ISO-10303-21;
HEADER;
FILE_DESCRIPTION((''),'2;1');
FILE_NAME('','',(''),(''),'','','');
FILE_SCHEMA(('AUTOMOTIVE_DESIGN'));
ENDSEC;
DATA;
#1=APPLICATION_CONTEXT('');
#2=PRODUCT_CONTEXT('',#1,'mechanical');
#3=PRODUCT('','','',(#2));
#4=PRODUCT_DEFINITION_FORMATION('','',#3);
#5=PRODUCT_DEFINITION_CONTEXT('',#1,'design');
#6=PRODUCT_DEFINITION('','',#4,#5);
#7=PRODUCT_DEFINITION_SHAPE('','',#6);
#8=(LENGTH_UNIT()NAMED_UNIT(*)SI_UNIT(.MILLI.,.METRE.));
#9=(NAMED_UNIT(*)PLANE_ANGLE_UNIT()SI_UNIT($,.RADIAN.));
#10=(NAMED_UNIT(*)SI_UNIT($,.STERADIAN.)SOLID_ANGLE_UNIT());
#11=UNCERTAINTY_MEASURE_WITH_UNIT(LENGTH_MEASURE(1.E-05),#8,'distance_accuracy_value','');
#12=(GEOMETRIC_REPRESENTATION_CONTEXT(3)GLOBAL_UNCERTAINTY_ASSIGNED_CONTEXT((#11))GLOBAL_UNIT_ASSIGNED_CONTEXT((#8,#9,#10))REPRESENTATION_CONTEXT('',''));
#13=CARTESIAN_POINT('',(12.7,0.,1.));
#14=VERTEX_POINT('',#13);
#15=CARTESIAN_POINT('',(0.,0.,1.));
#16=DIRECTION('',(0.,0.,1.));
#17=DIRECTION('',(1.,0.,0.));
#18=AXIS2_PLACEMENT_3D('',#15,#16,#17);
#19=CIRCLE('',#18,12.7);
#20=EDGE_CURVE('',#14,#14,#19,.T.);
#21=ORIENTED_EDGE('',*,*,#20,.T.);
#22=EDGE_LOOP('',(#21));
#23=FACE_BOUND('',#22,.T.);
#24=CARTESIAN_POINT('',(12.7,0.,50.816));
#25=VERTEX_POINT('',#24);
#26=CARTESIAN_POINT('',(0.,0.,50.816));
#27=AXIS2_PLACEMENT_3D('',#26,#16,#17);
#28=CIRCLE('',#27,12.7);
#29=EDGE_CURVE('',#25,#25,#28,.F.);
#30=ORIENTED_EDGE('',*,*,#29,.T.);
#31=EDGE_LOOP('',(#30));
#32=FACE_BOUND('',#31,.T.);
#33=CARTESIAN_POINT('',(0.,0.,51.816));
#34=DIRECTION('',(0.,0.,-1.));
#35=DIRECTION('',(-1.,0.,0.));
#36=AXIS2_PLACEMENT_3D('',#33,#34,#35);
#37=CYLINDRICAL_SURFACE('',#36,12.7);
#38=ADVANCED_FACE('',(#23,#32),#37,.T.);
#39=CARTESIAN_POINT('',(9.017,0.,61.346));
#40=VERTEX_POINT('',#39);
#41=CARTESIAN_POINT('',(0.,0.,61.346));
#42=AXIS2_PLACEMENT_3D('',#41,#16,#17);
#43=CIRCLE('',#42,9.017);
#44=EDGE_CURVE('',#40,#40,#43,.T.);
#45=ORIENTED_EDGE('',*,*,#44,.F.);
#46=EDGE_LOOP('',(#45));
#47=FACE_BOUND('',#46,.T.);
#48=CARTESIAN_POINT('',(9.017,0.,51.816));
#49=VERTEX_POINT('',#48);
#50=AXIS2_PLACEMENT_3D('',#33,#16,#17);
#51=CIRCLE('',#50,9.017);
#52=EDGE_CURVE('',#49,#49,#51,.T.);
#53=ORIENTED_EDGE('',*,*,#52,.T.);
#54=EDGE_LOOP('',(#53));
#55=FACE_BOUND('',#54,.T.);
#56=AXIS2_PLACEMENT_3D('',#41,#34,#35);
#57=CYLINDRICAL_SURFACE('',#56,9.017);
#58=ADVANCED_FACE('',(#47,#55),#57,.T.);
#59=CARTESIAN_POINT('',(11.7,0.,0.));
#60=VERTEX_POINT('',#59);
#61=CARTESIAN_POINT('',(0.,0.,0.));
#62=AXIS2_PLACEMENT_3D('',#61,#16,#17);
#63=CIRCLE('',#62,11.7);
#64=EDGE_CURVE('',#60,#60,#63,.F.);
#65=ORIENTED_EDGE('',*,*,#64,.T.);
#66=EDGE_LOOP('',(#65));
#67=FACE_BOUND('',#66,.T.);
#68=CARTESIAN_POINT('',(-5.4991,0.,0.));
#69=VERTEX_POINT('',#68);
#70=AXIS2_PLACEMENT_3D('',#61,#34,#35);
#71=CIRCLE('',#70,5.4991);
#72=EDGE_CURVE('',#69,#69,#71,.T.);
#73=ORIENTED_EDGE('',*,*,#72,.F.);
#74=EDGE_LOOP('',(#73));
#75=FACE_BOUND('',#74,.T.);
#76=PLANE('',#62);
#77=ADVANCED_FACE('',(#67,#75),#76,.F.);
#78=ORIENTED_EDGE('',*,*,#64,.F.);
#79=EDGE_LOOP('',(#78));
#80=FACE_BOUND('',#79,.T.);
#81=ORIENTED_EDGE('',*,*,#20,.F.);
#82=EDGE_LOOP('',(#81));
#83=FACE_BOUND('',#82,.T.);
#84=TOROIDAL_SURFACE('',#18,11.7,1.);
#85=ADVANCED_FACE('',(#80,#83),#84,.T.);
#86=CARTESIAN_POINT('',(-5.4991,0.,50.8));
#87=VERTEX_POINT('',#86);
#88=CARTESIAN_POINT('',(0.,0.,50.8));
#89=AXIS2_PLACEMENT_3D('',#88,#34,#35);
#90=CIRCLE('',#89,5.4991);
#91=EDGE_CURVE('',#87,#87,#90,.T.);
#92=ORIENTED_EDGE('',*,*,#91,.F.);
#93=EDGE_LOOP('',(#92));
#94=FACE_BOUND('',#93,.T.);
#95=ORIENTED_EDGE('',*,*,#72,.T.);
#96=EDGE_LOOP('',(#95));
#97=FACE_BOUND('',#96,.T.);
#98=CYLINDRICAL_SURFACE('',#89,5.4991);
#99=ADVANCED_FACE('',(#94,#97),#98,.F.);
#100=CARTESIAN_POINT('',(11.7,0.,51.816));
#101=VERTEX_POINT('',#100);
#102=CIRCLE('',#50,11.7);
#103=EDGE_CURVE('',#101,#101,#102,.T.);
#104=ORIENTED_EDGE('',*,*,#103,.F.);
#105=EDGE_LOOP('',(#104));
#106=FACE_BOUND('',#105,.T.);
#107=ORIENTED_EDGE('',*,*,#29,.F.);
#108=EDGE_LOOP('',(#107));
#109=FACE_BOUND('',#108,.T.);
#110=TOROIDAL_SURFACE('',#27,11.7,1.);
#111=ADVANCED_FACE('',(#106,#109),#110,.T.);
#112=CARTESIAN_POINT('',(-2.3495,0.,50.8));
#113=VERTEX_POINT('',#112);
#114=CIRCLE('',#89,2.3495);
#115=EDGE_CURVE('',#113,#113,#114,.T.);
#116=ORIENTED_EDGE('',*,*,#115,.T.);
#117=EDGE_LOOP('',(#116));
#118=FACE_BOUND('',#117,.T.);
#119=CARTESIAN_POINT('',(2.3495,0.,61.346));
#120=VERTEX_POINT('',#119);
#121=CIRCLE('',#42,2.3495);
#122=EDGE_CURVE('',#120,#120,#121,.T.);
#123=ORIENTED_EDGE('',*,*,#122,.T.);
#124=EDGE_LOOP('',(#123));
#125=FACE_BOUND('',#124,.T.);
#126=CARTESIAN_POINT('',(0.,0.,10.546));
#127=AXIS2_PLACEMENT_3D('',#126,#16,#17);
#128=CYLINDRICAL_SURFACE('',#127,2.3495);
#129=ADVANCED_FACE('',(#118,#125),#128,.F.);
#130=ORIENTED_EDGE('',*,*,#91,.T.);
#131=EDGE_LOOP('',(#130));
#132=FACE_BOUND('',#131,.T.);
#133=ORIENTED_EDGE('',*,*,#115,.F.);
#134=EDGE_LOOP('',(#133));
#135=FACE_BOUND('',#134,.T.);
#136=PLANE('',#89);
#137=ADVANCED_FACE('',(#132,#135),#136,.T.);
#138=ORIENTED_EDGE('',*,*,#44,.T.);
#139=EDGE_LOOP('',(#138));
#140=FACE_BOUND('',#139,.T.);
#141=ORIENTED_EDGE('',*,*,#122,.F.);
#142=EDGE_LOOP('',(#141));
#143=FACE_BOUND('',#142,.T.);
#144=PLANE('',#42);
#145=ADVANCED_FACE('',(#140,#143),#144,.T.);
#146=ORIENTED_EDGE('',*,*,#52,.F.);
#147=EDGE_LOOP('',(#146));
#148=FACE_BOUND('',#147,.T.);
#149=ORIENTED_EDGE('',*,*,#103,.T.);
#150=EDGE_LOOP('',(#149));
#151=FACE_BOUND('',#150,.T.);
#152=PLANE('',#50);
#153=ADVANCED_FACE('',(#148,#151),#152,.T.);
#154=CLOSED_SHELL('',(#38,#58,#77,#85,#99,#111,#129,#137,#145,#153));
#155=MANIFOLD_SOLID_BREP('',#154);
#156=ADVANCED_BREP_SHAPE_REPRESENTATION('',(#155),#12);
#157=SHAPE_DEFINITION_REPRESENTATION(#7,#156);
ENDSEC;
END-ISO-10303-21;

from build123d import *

# Parameters (mm, degrees)
SKETCH1_R           = 12.7
BOSS_EXTRUDE1_DEPTH = 51.816
FILLET1_R           = 1
SKETCH2_R           = 9.017
BOSS_EXTRUDE3_DEPTH = 9.53
SKETCH5_R           = 5.4991
CUT_EXTRUDE1_DEPTH  = 50.8
SKETCH6_R           = 2.3495
CUT_EXTRUDE2_DEPTH  = 50.8


with BuildPart() as part:
    # Sketch1 → Boss-Extrude1 (new body)
    with BuildSketch(Plane.XY):
        Circle(SKETCH1_R)
    extrude(amount=BOSS_EXTRUDE1_DEPTH)

    # Fillet1
    fillet1_edges = [part.edges().sort_by_distance(p)[0] for p in [
        (-12.7, 0, 0),
        (-12.7, 0, 51.816),
    ]]
    fillet(fillet1_edges, radius=FILLET1_R)

    # Sketch2 → Boss-Extrude3 (add)
    with BuildSketch(Plane.XY.offset(51.816)):
        Circle(SKETCH2_R)
    extrude(amount=BOSS_EXTRUDE3_DEPTH)

    # Sketch5 → Cut-Extrude1 (cut)
    with BuildSketch(Plane(origin=(0, 0, 0), x_dir=(-1, 0, 0), z_dir=(0, 0, -1))):
        Circle(SKETCH5_R)
    extrude(amount=-CUT_EXTRUDE1_DEPTH, mode=Mode.SUBTRACT)

    # Sketch6 → Cut-Extrude2 (cut)
    with BuildSketch(Plane.XY.offset(61.346)):
        Circle(SKETCH6_R)
    extrude(amount=-CUT_EXTRUDE2_DEPTH, mode=Mode.SUBTRACT)


solid = part.part
